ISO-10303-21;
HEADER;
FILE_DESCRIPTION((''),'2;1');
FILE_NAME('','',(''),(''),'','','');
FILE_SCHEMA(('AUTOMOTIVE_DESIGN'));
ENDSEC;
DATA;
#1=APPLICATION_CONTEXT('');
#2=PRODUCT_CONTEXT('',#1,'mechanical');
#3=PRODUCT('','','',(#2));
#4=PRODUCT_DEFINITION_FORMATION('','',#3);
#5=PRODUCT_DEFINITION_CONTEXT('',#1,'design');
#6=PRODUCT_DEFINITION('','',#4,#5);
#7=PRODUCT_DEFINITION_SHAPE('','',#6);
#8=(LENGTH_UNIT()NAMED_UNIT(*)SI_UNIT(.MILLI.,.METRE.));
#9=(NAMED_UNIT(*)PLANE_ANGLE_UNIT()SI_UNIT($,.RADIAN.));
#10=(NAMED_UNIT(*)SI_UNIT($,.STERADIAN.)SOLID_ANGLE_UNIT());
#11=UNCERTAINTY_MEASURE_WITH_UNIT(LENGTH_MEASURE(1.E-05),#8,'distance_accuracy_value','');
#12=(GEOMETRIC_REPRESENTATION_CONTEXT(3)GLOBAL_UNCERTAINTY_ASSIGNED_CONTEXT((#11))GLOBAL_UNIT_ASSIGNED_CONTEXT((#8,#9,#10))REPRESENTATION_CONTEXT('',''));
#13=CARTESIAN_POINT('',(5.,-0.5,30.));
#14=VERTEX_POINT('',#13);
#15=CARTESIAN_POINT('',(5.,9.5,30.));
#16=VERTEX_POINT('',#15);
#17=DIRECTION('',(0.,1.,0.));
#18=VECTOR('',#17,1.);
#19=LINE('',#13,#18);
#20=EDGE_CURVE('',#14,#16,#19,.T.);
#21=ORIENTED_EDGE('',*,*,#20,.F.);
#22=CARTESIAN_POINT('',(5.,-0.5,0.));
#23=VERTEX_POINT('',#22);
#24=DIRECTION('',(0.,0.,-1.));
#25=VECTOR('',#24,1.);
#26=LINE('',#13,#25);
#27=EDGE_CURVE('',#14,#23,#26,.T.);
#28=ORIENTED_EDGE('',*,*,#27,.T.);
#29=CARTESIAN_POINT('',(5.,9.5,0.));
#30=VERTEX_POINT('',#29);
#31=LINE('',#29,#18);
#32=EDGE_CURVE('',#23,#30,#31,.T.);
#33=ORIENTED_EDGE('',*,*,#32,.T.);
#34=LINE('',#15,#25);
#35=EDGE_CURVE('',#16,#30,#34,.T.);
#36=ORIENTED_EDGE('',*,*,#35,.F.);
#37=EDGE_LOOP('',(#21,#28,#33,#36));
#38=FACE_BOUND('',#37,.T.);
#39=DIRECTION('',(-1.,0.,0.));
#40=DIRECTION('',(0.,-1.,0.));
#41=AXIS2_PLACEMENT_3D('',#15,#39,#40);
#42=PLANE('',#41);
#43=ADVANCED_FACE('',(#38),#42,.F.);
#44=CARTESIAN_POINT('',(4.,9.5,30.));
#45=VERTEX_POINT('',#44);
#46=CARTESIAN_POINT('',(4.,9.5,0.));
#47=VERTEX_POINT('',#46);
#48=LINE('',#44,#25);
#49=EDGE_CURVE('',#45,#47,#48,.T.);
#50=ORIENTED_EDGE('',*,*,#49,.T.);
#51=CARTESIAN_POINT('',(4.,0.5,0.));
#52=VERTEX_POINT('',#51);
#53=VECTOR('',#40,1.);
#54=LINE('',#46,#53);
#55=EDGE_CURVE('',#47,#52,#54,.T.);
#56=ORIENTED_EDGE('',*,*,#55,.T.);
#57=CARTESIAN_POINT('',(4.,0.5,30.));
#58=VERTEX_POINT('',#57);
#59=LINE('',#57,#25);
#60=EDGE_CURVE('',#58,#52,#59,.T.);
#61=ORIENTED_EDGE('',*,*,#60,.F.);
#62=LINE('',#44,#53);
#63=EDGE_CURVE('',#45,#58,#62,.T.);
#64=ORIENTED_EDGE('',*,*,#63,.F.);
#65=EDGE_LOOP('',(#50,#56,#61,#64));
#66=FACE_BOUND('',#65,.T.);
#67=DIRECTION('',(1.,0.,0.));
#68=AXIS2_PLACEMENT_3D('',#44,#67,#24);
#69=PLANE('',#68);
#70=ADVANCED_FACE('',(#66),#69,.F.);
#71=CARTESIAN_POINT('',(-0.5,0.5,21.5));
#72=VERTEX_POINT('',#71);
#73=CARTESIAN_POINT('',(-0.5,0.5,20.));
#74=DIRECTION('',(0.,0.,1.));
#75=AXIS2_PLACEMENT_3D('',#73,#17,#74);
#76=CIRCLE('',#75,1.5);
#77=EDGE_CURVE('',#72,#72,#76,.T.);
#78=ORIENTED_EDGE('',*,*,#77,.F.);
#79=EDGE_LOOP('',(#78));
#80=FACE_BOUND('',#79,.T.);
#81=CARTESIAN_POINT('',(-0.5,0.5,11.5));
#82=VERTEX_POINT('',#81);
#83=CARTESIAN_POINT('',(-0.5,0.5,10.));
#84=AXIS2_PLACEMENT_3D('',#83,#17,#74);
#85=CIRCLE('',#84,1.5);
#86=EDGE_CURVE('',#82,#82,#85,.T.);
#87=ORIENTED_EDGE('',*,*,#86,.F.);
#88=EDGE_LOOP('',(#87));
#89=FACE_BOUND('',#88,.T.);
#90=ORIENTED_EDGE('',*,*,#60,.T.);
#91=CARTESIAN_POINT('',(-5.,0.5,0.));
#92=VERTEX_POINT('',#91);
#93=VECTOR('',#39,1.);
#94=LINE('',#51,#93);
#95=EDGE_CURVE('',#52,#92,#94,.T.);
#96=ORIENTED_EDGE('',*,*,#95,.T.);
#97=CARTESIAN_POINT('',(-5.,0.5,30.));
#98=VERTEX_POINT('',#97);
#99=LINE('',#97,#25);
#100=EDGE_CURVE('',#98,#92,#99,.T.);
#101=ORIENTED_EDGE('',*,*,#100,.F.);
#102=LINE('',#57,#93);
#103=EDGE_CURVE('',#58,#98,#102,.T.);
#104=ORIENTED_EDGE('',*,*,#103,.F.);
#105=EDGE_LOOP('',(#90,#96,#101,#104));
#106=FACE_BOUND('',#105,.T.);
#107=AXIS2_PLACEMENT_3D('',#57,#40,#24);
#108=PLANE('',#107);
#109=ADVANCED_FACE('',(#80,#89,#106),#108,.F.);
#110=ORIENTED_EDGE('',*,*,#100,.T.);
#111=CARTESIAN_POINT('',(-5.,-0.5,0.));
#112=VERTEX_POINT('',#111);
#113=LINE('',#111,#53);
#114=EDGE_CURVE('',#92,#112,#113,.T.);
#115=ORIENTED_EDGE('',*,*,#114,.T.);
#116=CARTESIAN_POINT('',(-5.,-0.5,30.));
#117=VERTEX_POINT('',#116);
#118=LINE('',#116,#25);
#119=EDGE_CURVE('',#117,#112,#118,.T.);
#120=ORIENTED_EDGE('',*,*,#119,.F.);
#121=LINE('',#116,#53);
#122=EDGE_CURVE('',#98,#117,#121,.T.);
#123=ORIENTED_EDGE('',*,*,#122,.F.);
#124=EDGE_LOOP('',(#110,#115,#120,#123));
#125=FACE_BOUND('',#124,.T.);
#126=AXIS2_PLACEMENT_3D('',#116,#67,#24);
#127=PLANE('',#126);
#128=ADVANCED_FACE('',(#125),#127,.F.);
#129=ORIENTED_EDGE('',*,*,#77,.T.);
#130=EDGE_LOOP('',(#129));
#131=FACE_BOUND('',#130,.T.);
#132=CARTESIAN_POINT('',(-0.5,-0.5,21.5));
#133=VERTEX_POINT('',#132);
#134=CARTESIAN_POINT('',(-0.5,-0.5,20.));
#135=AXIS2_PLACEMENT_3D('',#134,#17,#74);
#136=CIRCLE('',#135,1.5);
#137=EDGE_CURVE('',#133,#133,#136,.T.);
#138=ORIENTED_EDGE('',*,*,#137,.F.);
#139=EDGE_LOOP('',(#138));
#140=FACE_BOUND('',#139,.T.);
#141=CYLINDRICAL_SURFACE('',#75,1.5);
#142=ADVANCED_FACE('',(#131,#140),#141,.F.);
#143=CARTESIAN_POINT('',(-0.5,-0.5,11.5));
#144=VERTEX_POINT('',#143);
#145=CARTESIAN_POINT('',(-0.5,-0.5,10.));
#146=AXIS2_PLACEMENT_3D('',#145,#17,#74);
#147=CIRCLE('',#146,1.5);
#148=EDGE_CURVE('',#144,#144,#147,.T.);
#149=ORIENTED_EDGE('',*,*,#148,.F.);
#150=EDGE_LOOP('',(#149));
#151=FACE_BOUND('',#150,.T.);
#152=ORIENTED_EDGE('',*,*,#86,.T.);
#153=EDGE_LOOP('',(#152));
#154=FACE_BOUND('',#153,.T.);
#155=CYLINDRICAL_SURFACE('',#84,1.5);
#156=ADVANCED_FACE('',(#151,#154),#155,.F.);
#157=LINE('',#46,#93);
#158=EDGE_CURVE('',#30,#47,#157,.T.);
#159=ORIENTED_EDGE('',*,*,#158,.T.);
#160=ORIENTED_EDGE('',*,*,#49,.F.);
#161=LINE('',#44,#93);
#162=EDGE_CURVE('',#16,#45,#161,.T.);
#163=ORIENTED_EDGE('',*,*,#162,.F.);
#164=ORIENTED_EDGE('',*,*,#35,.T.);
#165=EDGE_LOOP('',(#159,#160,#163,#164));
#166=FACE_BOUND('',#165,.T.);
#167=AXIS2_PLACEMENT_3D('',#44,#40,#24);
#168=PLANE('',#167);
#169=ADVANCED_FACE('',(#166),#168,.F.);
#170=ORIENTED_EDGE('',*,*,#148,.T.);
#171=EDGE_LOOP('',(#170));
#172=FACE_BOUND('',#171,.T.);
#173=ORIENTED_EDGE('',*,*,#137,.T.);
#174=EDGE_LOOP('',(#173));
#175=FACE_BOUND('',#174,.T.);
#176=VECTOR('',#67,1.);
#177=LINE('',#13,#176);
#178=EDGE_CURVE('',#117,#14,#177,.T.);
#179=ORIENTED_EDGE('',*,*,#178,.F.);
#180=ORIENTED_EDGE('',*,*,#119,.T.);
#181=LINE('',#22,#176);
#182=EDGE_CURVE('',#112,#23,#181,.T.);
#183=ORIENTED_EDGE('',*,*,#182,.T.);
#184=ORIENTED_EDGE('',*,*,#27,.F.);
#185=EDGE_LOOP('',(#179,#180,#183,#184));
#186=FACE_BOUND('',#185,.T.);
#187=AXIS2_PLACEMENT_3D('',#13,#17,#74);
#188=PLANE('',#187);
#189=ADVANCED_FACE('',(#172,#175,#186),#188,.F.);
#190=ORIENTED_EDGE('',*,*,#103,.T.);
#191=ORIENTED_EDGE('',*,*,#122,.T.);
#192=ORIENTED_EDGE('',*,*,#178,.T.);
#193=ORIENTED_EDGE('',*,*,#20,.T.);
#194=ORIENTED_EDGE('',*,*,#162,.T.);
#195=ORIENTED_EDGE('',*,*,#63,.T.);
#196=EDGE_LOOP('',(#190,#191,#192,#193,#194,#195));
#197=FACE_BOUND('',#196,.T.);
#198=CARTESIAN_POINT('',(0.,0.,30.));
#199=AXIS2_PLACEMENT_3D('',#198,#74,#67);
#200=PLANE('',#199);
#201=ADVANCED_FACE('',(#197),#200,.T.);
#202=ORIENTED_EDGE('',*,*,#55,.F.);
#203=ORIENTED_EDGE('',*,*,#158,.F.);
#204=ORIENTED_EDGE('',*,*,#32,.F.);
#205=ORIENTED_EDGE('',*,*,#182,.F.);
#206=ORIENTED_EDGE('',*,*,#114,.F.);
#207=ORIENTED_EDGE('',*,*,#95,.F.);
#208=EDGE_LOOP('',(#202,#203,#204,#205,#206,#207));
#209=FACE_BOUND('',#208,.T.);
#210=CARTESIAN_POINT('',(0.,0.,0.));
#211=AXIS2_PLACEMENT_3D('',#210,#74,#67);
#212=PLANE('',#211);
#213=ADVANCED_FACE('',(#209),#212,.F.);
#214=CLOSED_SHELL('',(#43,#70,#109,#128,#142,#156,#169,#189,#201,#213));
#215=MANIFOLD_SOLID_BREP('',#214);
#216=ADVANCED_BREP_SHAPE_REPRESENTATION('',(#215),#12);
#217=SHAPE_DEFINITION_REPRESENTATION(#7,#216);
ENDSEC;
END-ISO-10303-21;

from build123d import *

# Parameters (mm, degrees)
EXTRUDE_1_DEPTH       = 30
HOLE_WIZARD_3_0_3_1_D = 3


with BuildPart() as part:
    # Эскиз1 → Бобышка-Вытянуть1 (new body)
    with BuildSketch(Plane.XY):
        Polygon((4, 0.5), (-5, 0.5), (-5, -0.5), (5, -0.5), (5, 0.5), (5, 9.5), (4, 9.5), align=None)
    extrude(amount=EXTRUDE_1_DEPTH)

    # Диаметр отверстия Ø3.0 (3)1 (through all)
    with Locations(Plane(origin=(0, 0.5, 0), x_dir=(1, 0, 0), z_dir=(0, 1, 0))):
        with Locations((-0.5, -10), (-0.5, -20)):
            Hole(HOLE_WIZARD_3_0_3_1_D / 2)


solid = part.part
